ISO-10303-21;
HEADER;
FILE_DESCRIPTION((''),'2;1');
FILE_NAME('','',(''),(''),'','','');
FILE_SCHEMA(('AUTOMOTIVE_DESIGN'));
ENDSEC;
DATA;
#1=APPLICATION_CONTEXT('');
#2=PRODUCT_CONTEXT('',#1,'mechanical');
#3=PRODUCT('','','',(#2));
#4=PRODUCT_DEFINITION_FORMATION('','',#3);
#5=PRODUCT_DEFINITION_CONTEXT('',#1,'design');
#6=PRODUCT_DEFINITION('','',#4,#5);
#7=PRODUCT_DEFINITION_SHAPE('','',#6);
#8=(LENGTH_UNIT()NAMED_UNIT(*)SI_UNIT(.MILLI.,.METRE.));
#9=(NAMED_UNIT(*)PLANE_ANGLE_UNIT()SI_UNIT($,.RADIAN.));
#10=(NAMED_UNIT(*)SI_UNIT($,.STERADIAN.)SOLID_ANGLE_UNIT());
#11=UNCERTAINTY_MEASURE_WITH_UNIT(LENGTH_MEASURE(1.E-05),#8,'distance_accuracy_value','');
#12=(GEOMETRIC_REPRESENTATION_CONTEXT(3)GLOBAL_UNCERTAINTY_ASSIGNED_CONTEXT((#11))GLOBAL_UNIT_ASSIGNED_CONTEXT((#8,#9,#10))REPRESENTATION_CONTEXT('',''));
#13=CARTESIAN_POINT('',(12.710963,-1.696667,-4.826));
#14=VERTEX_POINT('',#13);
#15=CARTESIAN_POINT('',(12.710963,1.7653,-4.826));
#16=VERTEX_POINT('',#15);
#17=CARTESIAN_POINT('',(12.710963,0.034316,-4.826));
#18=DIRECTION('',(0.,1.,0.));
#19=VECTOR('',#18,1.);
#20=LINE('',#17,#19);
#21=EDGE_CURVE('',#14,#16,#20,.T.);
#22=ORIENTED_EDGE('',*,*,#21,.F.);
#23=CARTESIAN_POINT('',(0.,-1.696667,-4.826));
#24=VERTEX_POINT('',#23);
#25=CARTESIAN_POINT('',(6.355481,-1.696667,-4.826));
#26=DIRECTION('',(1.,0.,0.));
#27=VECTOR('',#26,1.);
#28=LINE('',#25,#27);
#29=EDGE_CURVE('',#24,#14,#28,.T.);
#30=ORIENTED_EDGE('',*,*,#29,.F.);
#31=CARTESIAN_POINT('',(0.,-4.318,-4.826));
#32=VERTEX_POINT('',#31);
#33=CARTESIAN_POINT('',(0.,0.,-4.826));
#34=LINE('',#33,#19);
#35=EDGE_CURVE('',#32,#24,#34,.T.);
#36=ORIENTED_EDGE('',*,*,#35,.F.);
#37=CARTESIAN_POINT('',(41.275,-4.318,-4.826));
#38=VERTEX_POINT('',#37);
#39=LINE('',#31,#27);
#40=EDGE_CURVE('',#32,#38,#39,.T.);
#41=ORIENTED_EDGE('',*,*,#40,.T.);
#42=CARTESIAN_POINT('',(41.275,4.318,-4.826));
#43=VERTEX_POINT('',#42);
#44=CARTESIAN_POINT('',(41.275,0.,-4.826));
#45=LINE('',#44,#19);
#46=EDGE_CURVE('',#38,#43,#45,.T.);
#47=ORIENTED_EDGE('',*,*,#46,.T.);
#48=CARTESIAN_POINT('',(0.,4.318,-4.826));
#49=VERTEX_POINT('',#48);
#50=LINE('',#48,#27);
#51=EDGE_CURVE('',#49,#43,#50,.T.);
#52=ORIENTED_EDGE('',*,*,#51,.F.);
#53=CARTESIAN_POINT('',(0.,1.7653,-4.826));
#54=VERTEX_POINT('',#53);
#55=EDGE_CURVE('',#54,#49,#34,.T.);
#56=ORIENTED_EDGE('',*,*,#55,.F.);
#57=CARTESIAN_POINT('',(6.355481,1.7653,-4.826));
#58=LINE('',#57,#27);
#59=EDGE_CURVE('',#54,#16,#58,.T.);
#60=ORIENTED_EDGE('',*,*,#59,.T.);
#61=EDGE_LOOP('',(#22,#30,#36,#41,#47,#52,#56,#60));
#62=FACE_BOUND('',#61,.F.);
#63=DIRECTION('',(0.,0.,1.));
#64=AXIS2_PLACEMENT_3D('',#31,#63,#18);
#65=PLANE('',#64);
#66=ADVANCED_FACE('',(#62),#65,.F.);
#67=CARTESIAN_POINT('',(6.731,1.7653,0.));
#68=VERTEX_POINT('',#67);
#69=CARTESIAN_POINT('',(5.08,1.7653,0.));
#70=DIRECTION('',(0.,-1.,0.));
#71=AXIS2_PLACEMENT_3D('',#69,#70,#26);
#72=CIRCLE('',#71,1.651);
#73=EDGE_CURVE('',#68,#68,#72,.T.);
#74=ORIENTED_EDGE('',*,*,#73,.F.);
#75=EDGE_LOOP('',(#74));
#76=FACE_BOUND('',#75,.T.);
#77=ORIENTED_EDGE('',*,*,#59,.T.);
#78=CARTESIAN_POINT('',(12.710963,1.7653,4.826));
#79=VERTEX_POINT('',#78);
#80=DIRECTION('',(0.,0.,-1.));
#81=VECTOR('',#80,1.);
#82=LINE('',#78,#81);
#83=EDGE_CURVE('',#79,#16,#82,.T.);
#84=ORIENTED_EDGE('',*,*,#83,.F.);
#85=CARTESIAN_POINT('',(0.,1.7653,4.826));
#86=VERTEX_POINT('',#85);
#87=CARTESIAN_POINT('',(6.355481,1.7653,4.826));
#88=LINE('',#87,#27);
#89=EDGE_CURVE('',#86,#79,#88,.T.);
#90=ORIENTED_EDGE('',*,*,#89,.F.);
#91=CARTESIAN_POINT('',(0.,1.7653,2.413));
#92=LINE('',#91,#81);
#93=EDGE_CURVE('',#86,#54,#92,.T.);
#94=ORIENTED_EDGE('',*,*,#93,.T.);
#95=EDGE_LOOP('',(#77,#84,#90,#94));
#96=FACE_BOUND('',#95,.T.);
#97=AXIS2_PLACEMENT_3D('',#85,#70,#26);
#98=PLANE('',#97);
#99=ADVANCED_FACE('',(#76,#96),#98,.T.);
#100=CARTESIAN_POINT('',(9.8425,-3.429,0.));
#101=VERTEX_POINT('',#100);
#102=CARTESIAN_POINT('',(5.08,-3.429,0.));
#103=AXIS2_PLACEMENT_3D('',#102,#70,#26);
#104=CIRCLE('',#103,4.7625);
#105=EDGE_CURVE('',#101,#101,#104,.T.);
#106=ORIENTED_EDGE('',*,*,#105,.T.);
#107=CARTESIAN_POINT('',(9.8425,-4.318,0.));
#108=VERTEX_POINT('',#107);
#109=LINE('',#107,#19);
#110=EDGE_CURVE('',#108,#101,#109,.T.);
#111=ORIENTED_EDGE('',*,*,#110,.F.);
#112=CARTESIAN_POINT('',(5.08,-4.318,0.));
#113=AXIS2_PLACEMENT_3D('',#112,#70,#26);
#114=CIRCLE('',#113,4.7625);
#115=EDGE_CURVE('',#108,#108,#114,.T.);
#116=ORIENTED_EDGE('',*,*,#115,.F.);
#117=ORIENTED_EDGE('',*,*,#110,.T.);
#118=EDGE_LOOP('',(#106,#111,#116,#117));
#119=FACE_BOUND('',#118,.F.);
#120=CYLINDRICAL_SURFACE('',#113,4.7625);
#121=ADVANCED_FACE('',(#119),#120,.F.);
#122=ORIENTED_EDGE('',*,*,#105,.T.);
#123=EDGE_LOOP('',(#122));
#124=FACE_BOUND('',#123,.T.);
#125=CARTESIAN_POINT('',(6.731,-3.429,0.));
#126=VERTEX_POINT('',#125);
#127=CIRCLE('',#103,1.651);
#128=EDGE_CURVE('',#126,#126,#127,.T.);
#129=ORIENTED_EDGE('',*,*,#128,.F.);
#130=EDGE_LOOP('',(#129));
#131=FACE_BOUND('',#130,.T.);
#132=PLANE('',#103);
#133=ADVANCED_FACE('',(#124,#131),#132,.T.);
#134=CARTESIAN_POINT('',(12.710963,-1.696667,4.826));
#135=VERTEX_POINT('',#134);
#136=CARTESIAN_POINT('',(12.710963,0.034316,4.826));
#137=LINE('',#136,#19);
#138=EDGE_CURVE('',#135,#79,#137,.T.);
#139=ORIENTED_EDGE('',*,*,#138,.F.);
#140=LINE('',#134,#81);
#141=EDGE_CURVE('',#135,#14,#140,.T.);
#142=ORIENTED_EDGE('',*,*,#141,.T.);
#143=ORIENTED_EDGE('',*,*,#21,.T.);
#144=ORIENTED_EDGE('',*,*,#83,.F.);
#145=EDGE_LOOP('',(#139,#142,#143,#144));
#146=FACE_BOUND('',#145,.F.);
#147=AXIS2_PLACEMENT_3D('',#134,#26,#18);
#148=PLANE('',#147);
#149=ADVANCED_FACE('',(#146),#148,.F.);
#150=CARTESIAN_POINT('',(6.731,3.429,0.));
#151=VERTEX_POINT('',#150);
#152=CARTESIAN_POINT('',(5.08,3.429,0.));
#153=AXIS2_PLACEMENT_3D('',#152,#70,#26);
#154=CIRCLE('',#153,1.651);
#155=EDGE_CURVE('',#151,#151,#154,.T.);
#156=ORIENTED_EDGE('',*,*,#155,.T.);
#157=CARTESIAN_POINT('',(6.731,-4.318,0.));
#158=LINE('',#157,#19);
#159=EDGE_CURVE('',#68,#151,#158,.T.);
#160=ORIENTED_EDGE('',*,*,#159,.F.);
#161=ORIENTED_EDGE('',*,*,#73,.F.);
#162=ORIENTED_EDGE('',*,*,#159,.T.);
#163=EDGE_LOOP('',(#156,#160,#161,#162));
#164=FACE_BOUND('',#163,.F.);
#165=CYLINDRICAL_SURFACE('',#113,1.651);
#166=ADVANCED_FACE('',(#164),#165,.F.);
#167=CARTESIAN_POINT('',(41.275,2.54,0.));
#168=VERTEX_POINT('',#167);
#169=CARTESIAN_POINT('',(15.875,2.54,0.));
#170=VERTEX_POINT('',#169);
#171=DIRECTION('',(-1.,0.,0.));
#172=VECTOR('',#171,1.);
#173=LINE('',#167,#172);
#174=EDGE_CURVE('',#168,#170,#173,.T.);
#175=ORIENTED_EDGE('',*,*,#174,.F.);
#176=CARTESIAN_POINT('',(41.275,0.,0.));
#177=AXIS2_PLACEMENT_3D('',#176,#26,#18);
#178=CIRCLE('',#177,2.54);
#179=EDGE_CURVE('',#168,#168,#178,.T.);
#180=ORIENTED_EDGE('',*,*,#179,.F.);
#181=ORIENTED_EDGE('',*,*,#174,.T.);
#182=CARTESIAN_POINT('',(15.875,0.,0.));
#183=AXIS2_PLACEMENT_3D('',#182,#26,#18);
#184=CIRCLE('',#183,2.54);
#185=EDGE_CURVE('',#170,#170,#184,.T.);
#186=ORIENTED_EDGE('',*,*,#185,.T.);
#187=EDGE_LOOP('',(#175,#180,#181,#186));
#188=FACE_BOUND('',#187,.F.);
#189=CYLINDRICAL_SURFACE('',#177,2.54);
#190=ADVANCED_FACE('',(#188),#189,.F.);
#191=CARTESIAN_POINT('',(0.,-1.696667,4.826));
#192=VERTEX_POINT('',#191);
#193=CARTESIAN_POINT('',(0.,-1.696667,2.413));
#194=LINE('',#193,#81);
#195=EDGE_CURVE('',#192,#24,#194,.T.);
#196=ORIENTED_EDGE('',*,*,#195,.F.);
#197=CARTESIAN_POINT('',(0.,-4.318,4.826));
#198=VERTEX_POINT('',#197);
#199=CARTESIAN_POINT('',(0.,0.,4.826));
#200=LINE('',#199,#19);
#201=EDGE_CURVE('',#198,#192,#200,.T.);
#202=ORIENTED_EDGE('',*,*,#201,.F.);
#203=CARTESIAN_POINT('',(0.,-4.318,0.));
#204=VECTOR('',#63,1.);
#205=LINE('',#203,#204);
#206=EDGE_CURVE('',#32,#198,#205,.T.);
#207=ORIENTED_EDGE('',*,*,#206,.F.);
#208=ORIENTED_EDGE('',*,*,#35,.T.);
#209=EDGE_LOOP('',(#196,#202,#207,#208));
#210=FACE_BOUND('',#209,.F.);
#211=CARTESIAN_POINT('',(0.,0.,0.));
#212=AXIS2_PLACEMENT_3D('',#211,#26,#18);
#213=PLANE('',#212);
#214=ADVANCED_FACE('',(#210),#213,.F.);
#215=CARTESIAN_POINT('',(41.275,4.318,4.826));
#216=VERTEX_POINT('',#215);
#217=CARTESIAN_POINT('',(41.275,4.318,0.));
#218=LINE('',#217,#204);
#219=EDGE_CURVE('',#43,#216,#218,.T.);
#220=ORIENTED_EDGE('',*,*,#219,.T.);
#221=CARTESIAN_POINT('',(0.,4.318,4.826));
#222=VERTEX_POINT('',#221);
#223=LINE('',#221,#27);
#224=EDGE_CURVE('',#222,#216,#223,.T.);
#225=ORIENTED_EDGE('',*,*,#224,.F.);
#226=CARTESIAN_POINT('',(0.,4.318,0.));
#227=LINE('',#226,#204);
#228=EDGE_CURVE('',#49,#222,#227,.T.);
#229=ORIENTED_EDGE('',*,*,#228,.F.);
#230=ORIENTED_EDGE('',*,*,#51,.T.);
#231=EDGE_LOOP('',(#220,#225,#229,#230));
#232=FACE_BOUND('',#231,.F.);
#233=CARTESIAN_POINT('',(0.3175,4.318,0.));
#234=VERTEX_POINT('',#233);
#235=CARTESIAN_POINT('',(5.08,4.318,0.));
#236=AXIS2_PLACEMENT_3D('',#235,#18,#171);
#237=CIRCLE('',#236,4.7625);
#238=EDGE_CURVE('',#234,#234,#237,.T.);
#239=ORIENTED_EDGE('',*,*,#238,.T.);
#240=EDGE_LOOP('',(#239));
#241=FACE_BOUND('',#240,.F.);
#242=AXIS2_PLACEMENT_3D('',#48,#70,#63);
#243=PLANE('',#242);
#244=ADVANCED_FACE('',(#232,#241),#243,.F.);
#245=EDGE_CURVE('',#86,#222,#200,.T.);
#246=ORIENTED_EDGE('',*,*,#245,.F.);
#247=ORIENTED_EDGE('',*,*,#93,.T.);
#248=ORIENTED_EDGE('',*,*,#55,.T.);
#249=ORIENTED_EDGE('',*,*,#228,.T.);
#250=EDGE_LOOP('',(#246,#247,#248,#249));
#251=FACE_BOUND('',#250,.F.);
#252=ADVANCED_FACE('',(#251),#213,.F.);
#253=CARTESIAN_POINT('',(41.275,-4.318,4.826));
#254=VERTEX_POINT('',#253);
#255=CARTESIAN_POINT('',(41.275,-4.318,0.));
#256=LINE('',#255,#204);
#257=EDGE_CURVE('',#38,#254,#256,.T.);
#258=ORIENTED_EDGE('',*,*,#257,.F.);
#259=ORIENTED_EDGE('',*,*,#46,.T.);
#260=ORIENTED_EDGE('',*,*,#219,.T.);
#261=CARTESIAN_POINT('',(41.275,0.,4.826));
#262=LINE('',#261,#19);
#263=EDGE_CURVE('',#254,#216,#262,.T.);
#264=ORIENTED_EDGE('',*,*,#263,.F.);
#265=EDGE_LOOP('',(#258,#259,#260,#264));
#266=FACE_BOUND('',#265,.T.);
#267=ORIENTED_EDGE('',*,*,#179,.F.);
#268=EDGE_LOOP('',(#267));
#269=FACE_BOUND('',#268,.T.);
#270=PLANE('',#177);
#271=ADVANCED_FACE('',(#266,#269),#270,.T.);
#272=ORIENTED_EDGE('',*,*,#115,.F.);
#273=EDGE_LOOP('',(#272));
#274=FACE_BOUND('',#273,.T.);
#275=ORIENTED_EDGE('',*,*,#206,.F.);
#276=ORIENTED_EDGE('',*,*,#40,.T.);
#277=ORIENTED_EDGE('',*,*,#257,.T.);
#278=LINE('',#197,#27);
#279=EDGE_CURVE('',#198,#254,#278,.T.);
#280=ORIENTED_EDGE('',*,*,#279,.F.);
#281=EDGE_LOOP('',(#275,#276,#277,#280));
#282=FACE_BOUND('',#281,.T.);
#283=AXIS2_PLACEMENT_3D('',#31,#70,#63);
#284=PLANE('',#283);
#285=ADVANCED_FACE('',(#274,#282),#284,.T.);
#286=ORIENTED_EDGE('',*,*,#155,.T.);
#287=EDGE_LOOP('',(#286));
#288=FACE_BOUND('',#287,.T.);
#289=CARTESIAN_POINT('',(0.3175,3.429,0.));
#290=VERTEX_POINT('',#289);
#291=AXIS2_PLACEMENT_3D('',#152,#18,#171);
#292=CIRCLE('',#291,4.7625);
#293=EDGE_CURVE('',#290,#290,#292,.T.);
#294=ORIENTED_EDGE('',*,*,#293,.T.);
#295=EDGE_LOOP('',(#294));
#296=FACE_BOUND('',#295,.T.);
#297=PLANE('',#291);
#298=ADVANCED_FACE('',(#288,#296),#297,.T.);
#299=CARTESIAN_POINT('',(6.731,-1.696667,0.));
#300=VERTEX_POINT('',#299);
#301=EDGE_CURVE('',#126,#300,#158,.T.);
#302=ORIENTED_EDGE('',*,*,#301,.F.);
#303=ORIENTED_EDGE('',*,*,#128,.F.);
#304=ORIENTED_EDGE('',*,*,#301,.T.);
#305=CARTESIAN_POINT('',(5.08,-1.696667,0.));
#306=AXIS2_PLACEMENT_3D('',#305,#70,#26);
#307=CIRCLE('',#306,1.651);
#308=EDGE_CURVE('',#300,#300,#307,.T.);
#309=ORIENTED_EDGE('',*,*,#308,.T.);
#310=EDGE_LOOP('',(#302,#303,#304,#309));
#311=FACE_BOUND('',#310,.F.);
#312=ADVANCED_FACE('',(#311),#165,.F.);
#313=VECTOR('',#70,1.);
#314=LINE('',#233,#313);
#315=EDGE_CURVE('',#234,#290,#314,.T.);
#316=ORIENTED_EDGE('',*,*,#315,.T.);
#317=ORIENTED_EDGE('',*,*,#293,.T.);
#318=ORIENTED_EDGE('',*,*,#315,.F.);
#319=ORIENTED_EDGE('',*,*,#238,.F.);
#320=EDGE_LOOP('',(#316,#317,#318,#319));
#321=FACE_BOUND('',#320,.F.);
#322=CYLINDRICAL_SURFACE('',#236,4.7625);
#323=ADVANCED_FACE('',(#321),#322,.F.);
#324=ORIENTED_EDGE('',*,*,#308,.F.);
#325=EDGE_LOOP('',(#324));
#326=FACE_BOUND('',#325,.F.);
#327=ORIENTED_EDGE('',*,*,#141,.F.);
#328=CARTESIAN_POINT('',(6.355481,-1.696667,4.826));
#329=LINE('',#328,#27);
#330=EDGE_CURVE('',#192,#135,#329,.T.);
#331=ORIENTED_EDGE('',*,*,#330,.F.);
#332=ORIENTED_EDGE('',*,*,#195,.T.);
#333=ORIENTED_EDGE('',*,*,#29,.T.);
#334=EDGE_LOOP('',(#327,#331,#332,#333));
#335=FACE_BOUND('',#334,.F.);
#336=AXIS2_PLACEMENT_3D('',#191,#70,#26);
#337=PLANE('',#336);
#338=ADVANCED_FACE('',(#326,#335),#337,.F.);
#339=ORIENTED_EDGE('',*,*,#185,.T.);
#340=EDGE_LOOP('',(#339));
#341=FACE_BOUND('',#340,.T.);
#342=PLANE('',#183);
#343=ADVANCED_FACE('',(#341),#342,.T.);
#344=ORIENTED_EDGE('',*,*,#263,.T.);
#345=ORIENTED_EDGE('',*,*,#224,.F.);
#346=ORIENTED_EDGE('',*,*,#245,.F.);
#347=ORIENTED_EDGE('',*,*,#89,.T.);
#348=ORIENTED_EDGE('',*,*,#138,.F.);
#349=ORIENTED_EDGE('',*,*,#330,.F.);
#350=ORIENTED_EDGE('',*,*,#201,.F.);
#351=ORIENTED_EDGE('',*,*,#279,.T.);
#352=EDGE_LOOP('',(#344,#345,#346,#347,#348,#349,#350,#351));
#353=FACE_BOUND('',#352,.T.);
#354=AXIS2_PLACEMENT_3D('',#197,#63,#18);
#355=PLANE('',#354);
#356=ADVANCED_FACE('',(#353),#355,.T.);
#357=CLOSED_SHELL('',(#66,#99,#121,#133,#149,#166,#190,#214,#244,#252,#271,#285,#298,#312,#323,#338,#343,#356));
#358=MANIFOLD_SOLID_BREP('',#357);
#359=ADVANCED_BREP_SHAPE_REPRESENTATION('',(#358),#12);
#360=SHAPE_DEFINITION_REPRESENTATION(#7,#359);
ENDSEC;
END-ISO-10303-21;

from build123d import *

# Parameters (mm, degrees)
F0_W      = 8.636
F0_H      = 9.652
F1_DEPTH  = 41.275
F2_R      = 2.54
F3_DEPTH  = 25.4
F5_R      = 1.651
F6_DEPTH  = 8.636
F7_R      = 4.7625
F8_DEPTH  = 0.889
F9_R      = 4.7625
F10_DEPTH = 0.889
F4_W      = 12.710963
F4_H      = 3.461967
F11_DEPTH = 9.652


with BuildPart() as f1:
    # F0 (on Right) → F1 (new body)
    with BuildSketch(Plane.YZ):
        Rectangle(F0_W, F0_H)
    extrude(amount=F1_DEPTH)

    # F2 (on face) → F3 (cut)
    with BuildSketch(Plane.YZ.offset(41.275)):
        Circle(F2_R)
    extrude(amount=-F3_DEPTH, mode=Mode.SUBTRACT)

    # F5 (on face) → F6 (cut)
    with BuildSketch(Plane.XZ.offset(4.318)):
        with Locations((5.08, 0)):
            Circle(F5_R)
    extrude(amount=-F6_DEPTH, mode=Mode.SUBTRACT)

    # F7 (on face) → F8 (cut)
    with BuildSketch(Plane.XZ.offset(4.318)):
        with Locations((5.08, 0)):
            Circle(F7_R)
    extrude(amount=-F8_DEPTH, mode=Mode.SUBTRACT)

    # F9 (on face) → F10 (cut)
    with BuildSketch(Plane(origin=(0, 4.318, 0), x_dir=(-1, 0, 0), z_dir=(0, 1, 0))):
        with Locations((-5.08, 0)):
            Circle(F9_R)
    extrude(amount=-F10_DEPTH, mode=Mode.SUBTRACT)

    # F4 (on face) → F11 (cut)
    with BuildSketch(Plane.XY.offset(4.826)):
        with Locations((6.355481, 0.034316)):
            Rectangle(F4_W, F4_H)
    extrude(amount=-F11_DEPTH, mode=Mode.SUBTRACT)


solid = f1.part
